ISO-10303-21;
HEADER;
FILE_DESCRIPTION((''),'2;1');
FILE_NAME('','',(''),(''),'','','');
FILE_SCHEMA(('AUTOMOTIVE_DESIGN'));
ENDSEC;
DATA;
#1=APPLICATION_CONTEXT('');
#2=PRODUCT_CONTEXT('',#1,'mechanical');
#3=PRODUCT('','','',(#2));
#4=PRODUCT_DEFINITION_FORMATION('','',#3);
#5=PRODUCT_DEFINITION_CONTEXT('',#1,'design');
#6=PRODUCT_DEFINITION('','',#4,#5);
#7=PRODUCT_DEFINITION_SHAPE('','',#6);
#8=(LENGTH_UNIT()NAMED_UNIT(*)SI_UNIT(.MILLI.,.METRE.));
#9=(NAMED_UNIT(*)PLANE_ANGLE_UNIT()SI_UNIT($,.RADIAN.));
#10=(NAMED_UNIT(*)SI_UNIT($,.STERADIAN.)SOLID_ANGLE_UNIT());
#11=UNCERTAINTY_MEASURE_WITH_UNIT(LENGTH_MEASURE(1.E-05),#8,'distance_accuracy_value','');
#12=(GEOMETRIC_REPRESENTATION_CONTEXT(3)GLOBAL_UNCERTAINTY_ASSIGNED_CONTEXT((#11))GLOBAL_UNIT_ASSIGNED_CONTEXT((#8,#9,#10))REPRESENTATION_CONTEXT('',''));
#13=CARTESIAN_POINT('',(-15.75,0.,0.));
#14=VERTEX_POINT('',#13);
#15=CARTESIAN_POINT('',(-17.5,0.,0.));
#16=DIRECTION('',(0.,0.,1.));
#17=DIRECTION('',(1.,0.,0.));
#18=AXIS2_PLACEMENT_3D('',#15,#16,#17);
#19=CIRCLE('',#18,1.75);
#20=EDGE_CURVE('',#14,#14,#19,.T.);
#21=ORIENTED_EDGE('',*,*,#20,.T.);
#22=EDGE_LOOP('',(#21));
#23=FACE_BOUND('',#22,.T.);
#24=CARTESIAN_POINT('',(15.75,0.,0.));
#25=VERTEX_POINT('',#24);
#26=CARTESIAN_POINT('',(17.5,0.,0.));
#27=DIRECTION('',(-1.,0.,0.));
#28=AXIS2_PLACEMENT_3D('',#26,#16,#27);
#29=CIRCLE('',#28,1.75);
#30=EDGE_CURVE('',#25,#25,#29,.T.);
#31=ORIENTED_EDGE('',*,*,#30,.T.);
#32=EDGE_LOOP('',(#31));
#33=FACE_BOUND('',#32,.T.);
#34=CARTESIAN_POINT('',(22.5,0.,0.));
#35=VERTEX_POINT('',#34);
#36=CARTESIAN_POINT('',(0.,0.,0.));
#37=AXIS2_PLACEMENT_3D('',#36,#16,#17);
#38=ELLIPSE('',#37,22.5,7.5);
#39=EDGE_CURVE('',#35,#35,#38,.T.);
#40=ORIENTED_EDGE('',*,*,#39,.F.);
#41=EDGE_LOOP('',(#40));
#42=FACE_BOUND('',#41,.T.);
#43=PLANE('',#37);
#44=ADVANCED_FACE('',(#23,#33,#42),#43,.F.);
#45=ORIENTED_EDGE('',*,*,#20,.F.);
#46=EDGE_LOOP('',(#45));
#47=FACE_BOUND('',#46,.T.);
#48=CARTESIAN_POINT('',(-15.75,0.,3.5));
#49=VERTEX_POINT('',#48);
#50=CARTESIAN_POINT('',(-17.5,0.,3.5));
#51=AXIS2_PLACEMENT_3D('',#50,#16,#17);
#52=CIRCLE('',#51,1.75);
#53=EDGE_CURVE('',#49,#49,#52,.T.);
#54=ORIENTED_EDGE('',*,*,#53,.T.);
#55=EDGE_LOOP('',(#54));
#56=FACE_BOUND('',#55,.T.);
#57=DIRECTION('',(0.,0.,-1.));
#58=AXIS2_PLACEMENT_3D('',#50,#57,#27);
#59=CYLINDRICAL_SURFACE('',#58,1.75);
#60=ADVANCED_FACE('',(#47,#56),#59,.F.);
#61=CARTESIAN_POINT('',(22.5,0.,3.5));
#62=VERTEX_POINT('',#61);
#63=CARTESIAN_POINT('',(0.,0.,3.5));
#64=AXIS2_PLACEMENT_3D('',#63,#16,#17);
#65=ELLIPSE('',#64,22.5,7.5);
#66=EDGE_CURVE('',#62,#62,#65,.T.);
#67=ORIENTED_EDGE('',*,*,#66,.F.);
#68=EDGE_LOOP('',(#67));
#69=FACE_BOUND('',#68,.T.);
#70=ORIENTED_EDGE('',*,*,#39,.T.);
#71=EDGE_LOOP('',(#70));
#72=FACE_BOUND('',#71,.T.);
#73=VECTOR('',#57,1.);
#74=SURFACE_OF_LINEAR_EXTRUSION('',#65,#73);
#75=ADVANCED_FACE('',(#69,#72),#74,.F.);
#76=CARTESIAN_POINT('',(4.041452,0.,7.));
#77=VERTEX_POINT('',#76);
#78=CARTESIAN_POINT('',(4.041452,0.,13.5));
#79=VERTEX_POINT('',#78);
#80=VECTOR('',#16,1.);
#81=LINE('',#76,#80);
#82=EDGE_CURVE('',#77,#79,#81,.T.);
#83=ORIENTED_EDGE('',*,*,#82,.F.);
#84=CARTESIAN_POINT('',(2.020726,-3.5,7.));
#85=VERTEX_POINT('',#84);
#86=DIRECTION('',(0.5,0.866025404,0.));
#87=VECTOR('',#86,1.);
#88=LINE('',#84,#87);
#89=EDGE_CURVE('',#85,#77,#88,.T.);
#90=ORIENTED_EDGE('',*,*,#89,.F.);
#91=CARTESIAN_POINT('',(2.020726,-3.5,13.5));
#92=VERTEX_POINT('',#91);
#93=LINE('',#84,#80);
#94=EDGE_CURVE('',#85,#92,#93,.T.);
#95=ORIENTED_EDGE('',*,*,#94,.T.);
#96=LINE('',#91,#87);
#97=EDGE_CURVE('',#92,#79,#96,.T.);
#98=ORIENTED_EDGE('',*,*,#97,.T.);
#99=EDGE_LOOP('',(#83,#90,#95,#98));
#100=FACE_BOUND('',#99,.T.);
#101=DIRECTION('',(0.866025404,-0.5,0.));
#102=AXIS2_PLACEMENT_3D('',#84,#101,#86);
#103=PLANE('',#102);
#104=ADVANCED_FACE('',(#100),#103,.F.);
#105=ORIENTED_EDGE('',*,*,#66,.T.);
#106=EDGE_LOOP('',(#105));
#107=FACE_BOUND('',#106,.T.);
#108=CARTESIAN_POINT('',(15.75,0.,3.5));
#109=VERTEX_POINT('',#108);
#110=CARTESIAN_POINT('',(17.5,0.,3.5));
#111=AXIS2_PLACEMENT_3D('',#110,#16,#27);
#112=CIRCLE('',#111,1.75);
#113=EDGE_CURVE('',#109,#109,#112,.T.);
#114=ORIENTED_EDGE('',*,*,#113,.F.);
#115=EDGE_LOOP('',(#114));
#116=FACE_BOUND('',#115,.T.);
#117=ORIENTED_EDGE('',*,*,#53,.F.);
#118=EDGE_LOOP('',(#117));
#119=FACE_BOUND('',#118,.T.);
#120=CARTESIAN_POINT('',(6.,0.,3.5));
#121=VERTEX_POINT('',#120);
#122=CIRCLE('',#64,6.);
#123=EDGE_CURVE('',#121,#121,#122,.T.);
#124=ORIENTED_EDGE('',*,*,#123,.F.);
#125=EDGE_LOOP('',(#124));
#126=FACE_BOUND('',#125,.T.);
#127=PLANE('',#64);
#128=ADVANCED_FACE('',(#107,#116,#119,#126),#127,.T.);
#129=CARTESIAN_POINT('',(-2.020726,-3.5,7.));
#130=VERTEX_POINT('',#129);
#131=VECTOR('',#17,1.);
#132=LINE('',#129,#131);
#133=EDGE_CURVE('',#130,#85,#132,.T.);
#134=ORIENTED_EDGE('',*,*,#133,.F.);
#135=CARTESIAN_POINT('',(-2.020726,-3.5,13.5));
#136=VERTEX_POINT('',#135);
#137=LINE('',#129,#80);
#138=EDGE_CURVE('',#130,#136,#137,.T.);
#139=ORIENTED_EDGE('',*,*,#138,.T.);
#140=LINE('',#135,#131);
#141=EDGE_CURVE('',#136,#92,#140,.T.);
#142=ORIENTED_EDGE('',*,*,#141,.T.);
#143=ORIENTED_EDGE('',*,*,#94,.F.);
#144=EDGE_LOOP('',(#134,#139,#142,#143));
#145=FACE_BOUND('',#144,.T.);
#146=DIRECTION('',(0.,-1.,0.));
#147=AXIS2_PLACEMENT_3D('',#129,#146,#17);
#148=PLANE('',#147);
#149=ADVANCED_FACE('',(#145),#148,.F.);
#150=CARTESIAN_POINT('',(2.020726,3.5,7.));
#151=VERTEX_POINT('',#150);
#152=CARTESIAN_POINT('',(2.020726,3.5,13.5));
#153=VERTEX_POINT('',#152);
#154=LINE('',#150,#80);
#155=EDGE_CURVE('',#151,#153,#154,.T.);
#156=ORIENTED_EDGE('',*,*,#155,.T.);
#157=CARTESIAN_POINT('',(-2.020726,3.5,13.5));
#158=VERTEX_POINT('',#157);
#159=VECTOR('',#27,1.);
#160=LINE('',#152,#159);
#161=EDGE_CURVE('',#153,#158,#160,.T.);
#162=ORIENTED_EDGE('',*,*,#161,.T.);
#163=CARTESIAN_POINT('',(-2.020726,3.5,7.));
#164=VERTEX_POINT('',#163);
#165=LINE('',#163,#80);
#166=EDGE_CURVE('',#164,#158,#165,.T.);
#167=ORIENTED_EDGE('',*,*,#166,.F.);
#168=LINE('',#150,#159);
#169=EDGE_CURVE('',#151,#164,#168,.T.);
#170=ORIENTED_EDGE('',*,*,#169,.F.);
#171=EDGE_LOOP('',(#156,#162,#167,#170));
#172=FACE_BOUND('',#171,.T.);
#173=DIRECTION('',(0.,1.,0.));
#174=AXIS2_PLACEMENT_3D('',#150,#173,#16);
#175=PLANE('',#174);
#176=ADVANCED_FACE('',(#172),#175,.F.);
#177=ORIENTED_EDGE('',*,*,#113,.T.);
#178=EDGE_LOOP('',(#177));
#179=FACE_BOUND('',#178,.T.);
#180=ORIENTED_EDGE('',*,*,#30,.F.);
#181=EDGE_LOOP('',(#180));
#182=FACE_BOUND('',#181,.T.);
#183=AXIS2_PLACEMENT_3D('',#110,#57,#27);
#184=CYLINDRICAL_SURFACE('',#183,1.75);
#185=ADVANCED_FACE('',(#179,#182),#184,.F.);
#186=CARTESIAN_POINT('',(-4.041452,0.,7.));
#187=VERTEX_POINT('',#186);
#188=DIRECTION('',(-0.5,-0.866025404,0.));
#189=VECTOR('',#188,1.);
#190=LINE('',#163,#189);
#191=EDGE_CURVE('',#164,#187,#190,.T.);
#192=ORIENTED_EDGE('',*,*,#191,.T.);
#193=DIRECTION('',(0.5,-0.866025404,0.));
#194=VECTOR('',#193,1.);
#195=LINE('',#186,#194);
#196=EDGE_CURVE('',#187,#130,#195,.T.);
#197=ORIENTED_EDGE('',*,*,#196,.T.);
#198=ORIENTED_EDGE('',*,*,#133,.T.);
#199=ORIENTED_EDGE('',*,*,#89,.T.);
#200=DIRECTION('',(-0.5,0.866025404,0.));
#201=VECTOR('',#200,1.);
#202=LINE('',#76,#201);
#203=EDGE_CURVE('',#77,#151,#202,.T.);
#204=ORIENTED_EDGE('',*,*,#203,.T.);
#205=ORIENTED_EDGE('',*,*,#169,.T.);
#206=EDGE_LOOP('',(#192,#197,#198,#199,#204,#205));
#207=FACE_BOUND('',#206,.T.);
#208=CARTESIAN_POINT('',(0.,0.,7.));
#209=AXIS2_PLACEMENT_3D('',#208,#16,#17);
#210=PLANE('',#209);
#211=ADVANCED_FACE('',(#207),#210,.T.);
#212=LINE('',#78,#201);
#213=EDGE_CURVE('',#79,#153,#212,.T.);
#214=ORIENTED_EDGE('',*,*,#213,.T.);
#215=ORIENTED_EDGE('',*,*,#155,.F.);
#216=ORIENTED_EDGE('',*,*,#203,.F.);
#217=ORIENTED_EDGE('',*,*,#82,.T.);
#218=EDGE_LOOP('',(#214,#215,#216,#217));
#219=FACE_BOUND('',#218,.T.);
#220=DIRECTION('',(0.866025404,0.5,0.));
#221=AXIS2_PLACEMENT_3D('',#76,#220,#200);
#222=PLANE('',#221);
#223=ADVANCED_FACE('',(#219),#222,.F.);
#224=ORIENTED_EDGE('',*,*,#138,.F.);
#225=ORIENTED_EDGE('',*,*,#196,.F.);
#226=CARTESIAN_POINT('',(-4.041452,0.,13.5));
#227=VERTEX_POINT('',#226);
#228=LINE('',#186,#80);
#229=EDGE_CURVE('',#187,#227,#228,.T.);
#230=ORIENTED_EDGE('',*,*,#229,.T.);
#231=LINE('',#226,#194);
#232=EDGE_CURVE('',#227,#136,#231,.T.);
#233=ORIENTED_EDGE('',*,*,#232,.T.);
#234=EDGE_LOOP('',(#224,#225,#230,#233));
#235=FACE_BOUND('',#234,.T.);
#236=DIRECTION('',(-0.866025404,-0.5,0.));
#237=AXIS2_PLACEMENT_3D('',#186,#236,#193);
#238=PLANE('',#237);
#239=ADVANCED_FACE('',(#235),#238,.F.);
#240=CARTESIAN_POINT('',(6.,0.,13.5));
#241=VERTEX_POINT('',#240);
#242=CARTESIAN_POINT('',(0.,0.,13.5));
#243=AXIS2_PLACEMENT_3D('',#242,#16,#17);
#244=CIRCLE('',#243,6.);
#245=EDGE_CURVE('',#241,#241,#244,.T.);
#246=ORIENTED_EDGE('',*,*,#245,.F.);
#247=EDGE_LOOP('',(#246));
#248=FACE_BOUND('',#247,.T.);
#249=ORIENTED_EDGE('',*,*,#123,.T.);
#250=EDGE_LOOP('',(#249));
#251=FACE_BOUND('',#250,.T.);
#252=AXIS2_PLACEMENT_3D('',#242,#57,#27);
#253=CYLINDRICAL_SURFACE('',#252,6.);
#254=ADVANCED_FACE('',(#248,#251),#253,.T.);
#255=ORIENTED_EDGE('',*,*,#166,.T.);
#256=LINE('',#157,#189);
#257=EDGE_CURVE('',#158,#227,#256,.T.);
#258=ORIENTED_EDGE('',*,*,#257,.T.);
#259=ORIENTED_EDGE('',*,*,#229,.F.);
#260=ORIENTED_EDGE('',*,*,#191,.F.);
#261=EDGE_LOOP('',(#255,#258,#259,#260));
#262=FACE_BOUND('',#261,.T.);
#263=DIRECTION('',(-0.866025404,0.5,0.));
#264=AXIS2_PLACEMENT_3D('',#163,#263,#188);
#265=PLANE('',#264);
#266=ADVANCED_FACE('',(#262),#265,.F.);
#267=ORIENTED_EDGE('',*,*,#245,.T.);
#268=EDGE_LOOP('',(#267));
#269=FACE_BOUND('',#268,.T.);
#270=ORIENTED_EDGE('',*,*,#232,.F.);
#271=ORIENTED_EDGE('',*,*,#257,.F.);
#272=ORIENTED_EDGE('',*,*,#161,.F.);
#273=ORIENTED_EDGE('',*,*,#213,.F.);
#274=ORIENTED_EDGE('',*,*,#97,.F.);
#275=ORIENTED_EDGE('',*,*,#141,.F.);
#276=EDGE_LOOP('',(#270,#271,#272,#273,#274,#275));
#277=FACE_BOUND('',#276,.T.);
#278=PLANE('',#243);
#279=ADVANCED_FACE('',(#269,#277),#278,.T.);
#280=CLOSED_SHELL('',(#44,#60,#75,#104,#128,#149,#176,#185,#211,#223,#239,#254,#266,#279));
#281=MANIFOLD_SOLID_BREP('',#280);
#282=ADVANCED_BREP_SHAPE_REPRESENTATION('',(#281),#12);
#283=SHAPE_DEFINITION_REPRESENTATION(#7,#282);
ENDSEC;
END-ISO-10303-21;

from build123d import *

# Parameters (mm, degrees)
SKETCH2_RX          = 22.5
SKETCH2_RY          = 7.5
SKETCH2_R           = 1.75
BOSS_EXTRUDE1_DEPTH = 3.5
SKETCH3_R           = 6
BOSS_EXTRUDE3_DEPTH = 10
CUT_EXTRUDE1_DEPTH  = 6.5


with BuildPart() as part:
    # Sketch2 → Boss-Extrude1 (new body)
    with BuildSketch(Plane.XY):
        with Locations((0, 0)):
            Ellipse(SKETCH2_RX, SKETCH2_RY)
        with Locations((-17.5, 0)):
            Circle(SKETCH2_R, mode=Mode.SUBTRACT)
        with Locations(Location((17.5, 0, 0), (0, 0, 180))):
            Circle(SKETCH2_R, mode=Mode.SUBTRACT)
    extrude(amount=BOSS_EXTRUDE1_DEPTH)

    # Sketch3 → Boss-Extrude3 (add)
    with BuildSketch(Plane.XY.offset(3.5)):
        Circle(SKETCH3_R)
    extrude(amount=BOSS_EXTRUDE3_DEPTH)

    # Sketch4 → Cut-Extrude1 (cut)
    with BuildSketch(Plane.XY.offset(13.5)):
        Polygon((2.020725942, -3.5), (4.041451884, 0), (2.020725942, 3.5), (-2.020725942, 3.5), (-4.041451884, 0), (-2.020725942, -3.5), align=None)
    extrude(amount=-CUT_EXTRUDE1_DEPTH, mode=Mode.SUBTRACT)


solid = part.part
